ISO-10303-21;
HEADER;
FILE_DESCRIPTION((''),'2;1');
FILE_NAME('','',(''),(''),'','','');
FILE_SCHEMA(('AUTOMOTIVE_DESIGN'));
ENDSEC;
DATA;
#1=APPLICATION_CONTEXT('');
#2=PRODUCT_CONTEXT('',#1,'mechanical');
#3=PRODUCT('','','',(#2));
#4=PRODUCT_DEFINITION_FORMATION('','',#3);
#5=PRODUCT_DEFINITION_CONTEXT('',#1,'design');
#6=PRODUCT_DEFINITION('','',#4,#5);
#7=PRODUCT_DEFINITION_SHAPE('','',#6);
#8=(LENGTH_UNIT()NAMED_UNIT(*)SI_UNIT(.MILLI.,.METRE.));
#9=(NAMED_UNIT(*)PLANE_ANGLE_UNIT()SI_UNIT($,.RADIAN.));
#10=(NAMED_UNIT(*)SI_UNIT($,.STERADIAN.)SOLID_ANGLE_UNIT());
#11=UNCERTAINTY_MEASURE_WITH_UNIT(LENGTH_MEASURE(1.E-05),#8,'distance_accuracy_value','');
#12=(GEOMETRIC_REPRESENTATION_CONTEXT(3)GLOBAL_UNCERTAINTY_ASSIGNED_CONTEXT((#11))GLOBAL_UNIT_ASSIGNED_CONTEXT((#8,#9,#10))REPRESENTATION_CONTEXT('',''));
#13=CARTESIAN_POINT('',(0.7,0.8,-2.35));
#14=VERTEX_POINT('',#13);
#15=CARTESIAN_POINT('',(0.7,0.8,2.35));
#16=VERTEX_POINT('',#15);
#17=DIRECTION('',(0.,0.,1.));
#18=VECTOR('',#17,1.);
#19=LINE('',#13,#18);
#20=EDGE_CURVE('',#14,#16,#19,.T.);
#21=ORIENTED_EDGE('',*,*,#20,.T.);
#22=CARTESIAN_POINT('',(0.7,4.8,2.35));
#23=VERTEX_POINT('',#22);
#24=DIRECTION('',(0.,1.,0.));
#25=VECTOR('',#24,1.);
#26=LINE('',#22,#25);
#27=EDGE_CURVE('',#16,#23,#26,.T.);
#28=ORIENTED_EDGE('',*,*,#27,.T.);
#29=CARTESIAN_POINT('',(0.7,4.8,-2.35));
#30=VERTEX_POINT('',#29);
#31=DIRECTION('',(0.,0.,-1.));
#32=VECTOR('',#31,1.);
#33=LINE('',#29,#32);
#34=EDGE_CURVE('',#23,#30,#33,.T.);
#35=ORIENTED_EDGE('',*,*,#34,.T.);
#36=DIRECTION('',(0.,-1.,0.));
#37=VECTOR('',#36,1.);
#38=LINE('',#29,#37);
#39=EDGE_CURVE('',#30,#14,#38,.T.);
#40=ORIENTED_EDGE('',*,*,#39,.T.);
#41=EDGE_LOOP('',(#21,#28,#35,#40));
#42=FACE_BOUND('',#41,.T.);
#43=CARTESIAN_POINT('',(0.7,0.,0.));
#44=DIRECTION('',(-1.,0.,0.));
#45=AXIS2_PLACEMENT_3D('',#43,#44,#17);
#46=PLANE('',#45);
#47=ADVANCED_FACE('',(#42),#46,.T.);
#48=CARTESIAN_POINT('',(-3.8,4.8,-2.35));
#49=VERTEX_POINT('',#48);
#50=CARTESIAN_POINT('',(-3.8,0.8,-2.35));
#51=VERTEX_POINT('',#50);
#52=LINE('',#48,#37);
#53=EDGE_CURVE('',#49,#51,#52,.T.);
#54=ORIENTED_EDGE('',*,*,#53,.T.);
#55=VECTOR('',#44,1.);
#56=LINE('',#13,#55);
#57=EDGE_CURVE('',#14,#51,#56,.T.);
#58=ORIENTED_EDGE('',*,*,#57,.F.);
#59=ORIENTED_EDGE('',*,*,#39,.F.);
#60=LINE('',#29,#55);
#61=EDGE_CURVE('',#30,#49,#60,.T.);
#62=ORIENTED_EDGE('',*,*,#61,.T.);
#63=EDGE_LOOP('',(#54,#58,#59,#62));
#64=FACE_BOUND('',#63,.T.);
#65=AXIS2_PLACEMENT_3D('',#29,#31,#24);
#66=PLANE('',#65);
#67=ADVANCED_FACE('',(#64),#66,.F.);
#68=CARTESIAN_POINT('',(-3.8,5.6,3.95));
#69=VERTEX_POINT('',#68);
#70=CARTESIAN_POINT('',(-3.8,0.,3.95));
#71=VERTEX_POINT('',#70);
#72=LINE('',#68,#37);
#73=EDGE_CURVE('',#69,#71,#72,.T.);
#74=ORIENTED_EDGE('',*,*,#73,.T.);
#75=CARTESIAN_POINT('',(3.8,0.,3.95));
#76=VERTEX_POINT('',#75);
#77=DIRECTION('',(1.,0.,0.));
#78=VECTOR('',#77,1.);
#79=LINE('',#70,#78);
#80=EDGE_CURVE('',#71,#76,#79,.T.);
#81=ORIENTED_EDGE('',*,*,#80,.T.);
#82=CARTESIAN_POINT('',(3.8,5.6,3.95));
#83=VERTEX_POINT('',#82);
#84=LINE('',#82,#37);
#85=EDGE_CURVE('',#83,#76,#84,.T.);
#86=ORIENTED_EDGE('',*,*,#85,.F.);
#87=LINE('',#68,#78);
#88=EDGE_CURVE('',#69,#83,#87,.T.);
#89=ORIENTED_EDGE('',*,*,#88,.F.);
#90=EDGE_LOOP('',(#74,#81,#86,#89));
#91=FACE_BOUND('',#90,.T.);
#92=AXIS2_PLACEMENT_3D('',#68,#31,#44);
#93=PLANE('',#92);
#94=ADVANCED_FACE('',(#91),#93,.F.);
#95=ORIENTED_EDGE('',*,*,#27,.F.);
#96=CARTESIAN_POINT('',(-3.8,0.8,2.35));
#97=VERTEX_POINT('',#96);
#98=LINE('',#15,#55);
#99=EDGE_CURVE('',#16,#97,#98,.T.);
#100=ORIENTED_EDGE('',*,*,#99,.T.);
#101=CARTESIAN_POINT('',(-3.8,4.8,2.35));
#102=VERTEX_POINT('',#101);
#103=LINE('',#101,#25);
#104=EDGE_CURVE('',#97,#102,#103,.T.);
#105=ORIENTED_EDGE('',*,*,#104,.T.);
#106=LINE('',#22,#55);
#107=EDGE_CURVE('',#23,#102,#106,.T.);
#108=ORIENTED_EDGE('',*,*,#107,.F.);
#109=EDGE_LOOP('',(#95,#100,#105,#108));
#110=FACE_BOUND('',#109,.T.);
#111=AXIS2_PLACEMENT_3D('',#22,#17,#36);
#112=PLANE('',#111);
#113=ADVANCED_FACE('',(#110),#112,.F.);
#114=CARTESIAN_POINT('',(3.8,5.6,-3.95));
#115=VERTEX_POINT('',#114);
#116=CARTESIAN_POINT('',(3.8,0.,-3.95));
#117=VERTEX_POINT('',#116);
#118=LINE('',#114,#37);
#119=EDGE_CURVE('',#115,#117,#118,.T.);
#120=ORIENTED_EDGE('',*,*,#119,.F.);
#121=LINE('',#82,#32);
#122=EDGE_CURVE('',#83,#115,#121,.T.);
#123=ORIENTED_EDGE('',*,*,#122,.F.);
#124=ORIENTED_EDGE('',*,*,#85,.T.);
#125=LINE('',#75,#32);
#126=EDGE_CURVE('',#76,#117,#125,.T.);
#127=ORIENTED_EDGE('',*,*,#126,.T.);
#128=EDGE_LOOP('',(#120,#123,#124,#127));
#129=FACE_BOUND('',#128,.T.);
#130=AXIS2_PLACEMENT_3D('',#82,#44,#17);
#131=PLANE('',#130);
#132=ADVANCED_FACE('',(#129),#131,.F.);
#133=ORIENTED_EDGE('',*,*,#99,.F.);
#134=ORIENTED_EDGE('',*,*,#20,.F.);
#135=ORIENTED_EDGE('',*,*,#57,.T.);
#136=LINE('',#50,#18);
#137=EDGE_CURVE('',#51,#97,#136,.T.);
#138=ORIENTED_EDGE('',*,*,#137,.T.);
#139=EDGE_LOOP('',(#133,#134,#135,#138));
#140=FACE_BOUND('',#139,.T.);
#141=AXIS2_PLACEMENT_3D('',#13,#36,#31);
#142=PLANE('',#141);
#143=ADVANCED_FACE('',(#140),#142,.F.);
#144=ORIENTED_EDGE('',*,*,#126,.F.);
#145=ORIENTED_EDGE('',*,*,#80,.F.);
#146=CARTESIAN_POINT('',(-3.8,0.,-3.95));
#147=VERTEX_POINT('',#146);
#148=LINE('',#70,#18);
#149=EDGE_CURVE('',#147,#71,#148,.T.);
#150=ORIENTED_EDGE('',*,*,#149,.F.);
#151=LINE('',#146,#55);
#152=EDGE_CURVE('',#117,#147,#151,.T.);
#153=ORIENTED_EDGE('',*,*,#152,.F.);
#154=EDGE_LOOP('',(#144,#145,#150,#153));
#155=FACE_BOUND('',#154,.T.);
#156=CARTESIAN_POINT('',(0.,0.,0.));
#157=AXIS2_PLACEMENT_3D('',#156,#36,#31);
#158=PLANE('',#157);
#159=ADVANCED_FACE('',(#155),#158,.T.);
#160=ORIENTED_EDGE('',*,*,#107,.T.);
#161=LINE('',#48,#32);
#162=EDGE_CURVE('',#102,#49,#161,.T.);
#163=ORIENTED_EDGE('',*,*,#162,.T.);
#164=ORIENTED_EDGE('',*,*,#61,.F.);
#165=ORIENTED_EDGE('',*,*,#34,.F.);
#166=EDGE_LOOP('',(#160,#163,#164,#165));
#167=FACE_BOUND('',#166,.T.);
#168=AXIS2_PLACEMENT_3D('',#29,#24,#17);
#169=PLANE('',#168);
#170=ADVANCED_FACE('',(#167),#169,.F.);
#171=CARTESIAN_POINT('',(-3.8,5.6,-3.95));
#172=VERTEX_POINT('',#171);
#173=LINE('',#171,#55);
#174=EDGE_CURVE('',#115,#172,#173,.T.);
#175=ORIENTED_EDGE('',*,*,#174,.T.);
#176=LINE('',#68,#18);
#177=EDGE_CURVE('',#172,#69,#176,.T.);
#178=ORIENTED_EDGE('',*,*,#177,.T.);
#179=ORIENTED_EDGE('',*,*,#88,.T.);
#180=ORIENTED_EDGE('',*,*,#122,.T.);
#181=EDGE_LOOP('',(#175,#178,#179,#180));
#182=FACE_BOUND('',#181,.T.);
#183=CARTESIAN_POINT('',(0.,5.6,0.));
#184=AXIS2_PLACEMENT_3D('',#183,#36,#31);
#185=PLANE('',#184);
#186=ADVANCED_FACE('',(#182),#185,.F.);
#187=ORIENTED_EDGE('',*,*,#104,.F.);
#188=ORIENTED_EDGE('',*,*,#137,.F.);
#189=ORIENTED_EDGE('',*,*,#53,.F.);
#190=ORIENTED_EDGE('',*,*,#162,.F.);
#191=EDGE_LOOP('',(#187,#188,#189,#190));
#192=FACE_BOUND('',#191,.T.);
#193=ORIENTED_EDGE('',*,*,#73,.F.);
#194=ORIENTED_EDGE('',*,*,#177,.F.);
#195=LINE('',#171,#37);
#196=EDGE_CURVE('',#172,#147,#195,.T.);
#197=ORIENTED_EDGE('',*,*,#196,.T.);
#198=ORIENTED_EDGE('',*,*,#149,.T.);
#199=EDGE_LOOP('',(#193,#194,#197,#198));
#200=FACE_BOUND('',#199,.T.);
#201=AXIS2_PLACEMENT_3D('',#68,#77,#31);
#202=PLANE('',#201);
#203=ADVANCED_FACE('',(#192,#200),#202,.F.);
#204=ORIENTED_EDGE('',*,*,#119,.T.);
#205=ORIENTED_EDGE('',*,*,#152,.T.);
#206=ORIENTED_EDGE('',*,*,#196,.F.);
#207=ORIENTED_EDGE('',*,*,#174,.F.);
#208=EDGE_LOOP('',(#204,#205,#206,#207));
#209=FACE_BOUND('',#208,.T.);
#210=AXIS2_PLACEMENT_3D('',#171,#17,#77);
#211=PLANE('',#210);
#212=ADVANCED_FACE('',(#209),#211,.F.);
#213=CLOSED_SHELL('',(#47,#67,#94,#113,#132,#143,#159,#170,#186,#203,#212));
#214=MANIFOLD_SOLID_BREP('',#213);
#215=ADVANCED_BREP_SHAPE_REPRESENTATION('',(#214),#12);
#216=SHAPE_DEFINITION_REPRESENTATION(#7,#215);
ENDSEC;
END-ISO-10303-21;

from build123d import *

# Parameters (mm, degrees)
SKETCH1_W           = 7.6
SKETCH1_H           = 7.9
BOSS_EXTRUDE1_DEPTH = 5.6
SKETCH3_W           = 4.7
SKETCH3_H           = 4
CUT_EXTRUDE1_DEPTH  = 4.5


with BuildPart() as part:
    # Sketch1 → Boss-Extrude1 (new body)
    with BuildSketch(Plane(origin=(0, 0, 0), x_dir=(1, 0, 0), z_dir=(0, 1, 0))):
        Rectangle(SKETCH1_W, SKETCH1_H)
    extrude(amount=BOSS_EXTRUDE1_DEPTH)

    # Sketch3 → Cut-Extrude1 (cut)
    with BuildSketch(Plane.ZY.offset(3.8)):
        with Locations((0, 2.8)):
            Rectangle(SKETCH3_W, SKETCH3_H)
    extrude(amount=-CUT_EXTRUDE1_DEPTH, mode=Mode.SUBTRACT)


solid = part.part
